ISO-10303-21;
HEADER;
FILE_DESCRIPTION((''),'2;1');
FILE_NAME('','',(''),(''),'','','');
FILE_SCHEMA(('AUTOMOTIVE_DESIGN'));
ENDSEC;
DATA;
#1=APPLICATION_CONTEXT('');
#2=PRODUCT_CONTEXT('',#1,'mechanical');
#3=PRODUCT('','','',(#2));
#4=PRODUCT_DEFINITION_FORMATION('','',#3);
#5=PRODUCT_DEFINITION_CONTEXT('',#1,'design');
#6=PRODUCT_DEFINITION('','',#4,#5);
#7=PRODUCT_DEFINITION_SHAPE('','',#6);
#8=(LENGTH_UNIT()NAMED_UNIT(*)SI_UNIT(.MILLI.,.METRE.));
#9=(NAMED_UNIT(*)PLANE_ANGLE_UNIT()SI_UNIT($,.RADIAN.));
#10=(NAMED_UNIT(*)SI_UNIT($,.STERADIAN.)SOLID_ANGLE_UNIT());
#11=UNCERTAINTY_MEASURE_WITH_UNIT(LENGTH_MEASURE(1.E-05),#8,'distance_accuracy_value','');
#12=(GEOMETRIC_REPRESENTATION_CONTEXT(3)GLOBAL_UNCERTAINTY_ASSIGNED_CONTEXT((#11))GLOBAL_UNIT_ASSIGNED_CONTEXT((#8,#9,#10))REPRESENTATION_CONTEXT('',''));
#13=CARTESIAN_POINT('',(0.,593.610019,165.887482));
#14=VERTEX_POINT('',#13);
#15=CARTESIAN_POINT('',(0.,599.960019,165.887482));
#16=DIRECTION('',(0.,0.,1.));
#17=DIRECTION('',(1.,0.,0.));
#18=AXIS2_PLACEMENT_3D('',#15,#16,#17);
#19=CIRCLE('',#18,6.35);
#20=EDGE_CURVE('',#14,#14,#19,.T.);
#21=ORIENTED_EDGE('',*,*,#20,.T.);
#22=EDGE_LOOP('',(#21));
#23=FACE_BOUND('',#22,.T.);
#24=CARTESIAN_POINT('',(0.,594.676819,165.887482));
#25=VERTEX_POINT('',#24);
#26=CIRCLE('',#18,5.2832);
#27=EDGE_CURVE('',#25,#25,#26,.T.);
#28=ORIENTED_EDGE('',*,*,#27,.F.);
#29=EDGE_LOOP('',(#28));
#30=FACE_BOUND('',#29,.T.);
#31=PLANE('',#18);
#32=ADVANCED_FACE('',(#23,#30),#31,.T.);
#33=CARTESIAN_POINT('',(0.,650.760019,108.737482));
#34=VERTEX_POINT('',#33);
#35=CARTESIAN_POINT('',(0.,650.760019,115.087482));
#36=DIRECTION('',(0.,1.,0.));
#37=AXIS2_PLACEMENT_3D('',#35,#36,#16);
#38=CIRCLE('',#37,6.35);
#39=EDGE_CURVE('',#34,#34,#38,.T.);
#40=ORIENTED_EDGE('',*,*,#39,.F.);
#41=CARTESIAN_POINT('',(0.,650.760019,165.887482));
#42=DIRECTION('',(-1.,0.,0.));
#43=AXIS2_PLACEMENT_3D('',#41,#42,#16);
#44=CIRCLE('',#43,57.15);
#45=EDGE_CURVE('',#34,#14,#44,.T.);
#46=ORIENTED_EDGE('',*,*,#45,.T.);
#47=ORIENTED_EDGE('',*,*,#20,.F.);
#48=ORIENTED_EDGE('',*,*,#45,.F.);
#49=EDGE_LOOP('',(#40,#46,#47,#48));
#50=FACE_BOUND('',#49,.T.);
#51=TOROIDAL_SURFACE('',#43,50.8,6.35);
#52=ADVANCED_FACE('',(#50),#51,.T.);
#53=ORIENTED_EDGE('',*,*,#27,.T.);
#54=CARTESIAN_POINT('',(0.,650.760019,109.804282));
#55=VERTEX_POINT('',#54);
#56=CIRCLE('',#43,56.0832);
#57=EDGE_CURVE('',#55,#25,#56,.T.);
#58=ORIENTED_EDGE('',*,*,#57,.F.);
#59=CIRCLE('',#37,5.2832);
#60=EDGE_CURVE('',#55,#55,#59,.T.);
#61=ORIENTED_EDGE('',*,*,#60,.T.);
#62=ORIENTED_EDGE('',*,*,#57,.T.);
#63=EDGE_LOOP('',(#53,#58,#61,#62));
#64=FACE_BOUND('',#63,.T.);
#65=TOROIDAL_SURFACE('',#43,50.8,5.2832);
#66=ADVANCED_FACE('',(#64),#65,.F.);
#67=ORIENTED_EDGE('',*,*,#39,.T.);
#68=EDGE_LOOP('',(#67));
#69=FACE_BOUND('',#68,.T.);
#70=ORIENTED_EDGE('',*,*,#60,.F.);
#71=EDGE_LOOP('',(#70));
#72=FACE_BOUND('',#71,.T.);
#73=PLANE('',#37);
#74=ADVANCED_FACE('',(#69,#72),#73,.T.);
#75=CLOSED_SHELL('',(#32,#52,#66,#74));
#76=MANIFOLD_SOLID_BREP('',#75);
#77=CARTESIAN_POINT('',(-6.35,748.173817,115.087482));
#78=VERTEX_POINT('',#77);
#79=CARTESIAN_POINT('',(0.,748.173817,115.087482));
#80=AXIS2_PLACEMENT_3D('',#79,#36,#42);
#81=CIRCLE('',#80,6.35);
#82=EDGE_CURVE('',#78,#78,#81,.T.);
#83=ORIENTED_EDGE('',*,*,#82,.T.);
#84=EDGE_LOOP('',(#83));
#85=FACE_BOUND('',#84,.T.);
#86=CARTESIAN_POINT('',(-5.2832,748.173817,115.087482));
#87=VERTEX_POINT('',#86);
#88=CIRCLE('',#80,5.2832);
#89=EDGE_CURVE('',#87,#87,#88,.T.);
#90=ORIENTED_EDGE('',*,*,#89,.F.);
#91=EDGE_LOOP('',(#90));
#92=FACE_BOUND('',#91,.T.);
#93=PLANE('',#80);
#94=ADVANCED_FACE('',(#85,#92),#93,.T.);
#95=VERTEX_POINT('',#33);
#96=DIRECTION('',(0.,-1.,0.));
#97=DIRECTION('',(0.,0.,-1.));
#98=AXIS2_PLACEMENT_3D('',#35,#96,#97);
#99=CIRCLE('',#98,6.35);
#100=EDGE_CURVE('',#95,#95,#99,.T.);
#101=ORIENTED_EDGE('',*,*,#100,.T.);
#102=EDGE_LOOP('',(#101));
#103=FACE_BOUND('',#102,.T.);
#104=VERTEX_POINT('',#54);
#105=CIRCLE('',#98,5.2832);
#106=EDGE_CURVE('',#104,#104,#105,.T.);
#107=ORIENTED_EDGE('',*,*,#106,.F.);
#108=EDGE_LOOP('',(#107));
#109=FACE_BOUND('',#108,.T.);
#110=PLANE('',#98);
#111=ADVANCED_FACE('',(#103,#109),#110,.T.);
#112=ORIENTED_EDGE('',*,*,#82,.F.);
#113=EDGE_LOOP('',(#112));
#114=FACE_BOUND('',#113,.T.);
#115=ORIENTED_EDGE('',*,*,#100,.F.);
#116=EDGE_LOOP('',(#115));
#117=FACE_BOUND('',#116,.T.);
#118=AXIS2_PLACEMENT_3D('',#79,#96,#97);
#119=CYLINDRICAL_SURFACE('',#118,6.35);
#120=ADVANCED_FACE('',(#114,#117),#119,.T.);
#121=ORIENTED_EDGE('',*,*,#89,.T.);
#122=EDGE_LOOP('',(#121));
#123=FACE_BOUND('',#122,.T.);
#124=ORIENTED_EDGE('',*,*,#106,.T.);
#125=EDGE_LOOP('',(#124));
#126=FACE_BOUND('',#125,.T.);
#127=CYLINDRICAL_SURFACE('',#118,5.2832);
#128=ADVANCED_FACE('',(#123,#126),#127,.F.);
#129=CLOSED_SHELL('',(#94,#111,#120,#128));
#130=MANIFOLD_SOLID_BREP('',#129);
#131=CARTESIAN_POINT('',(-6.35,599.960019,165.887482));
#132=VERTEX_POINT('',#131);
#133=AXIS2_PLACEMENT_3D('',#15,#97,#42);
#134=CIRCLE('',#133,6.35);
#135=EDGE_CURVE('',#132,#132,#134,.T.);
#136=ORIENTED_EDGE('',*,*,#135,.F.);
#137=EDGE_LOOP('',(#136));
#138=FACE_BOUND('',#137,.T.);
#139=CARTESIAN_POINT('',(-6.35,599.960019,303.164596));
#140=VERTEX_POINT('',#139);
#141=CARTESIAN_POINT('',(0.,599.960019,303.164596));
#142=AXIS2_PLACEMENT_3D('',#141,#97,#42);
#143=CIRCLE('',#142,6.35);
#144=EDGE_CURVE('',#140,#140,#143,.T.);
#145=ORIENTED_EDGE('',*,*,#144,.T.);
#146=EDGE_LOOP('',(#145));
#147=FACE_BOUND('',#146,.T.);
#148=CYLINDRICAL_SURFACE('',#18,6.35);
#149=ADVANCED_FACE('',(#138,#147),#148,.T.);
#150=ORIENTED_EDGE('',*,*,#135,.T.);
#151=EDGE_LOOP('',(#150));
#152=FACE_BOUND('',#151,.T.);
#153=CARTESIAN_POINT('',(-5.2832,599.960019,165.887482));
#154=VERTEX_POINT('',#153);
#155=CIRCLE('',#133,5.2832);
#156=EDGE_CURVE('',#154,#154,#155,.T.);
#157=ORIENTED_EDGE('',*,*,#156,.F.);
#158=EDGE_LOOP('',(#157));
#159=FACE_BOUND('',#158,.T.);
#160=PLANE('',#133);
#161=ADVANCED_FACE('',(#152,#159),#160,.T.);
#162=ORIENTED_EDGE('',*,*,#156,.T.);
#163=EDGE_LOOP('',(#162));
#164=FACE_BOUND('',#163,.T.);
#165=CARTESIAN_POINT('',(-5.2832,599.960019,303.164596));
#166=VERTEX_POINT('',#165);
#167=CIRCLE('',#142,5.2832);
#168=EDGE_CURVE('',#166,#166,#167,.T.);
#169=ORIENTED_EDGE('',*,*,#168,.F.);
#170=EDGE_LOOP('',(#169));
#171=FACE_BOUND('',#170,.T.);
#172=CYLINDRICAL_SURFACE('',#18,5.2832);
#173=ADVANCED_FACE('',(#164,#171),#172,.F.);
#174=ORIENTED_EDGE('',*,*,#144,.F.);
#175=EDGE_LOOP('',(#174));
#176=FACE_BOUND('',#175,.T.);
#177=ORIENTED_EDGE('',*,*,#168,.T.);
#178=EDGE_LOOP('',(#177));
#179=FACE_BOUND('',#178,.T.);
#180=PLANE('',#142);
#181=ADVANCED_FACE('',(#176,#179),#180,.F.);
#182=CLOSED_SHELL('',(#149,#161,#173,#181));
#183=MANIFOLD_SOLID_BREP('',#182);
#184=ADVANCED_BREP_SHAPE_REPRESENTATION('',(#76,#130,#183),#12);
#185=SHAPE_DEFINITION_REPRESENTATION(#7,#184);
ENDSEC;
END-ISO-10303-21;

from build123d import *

# Parameters (mm, degrees)
SKETCH11_R                = 6.35
SKETCH11_R_2              = 5.2832
PIPE_0_5_SCH_40_1_DEPTH   = 137.277114131
SKETCH11_ON_SEGMENT_2_R   = 6.35
SKETCH11_ON_SEGMENT_2_R_2 = 5.2832
PIPE_0_5_SCH_40_1_2_ANGLE = 90
SKETCH11_ON_SEGMENT_3_R   = 6.35
SKETCH11_ON_SEGMENT_3_R_2 = 5.2832
PIPE_0_5_SCH_40_1_3_DEPTH = 97.413797302


with BuildPart() as part:
    # Sketch11 → Pipe 0.5 SCH 40(1) (new body)
    with BuildSketch(Plane(origin=(0, 599.960019272, 303.164595711), x_dir=(0, 1, 0), z_dir=(0, 0, -1))):
        Circle(SKETCH11_R)
        Circle(SKETCH11_R_2, mode=Mode.SUBTRACT)
    extrude(amount=PIPE_0_5_SCH_40_1_DEPTH)


with BuildPart() as body_2:
    # Sketch11 on segment 2 (carried to the start of arc 2) → Pipe 0.5 SCH 40_1 2 (revolve)
    with BuildSketch(Plane(origin=(0, 599.960019272, 165.88748158), x_dir=(0, 1, 0), z_dir=(0, 0, -1))):
        Circle(SKETCH11_ON_SEGMENT_2_R)
        Circle(SKETCH11_ON_SEGMENT_2_R_2, mode=Mode.SUBTRACT)
    revolve(axis=Axis((0, 650.760019272, 165.88748158), (1, 0, 0)), revolution_arc=PIPE_0_5_SCH_40_1_2_ANGLE)


with BuildPart() as body_3:
    # Sketch11 on segment 3 (carried to segment 3) → Pipe 0.5 SCH 40_1 3 (new body)
    with BuildSketch(Plane(origin=(0, 650.760019272, 115.08748158), x_dir=(0, 0, 1), z_dir=(0, 1, 0))):
        Circle(SKETCH11_ON_SEGMENT_3_R)
        Circle(SKETCH11_ON_SEGMENT_3_R_2, mode=Mode.SUBTRACT)
    extrude(amount=PIPE_0_5_SCH_40_1_3_DEPTH)


solid = Compound([part.part, body_2.part, body_3.part])
